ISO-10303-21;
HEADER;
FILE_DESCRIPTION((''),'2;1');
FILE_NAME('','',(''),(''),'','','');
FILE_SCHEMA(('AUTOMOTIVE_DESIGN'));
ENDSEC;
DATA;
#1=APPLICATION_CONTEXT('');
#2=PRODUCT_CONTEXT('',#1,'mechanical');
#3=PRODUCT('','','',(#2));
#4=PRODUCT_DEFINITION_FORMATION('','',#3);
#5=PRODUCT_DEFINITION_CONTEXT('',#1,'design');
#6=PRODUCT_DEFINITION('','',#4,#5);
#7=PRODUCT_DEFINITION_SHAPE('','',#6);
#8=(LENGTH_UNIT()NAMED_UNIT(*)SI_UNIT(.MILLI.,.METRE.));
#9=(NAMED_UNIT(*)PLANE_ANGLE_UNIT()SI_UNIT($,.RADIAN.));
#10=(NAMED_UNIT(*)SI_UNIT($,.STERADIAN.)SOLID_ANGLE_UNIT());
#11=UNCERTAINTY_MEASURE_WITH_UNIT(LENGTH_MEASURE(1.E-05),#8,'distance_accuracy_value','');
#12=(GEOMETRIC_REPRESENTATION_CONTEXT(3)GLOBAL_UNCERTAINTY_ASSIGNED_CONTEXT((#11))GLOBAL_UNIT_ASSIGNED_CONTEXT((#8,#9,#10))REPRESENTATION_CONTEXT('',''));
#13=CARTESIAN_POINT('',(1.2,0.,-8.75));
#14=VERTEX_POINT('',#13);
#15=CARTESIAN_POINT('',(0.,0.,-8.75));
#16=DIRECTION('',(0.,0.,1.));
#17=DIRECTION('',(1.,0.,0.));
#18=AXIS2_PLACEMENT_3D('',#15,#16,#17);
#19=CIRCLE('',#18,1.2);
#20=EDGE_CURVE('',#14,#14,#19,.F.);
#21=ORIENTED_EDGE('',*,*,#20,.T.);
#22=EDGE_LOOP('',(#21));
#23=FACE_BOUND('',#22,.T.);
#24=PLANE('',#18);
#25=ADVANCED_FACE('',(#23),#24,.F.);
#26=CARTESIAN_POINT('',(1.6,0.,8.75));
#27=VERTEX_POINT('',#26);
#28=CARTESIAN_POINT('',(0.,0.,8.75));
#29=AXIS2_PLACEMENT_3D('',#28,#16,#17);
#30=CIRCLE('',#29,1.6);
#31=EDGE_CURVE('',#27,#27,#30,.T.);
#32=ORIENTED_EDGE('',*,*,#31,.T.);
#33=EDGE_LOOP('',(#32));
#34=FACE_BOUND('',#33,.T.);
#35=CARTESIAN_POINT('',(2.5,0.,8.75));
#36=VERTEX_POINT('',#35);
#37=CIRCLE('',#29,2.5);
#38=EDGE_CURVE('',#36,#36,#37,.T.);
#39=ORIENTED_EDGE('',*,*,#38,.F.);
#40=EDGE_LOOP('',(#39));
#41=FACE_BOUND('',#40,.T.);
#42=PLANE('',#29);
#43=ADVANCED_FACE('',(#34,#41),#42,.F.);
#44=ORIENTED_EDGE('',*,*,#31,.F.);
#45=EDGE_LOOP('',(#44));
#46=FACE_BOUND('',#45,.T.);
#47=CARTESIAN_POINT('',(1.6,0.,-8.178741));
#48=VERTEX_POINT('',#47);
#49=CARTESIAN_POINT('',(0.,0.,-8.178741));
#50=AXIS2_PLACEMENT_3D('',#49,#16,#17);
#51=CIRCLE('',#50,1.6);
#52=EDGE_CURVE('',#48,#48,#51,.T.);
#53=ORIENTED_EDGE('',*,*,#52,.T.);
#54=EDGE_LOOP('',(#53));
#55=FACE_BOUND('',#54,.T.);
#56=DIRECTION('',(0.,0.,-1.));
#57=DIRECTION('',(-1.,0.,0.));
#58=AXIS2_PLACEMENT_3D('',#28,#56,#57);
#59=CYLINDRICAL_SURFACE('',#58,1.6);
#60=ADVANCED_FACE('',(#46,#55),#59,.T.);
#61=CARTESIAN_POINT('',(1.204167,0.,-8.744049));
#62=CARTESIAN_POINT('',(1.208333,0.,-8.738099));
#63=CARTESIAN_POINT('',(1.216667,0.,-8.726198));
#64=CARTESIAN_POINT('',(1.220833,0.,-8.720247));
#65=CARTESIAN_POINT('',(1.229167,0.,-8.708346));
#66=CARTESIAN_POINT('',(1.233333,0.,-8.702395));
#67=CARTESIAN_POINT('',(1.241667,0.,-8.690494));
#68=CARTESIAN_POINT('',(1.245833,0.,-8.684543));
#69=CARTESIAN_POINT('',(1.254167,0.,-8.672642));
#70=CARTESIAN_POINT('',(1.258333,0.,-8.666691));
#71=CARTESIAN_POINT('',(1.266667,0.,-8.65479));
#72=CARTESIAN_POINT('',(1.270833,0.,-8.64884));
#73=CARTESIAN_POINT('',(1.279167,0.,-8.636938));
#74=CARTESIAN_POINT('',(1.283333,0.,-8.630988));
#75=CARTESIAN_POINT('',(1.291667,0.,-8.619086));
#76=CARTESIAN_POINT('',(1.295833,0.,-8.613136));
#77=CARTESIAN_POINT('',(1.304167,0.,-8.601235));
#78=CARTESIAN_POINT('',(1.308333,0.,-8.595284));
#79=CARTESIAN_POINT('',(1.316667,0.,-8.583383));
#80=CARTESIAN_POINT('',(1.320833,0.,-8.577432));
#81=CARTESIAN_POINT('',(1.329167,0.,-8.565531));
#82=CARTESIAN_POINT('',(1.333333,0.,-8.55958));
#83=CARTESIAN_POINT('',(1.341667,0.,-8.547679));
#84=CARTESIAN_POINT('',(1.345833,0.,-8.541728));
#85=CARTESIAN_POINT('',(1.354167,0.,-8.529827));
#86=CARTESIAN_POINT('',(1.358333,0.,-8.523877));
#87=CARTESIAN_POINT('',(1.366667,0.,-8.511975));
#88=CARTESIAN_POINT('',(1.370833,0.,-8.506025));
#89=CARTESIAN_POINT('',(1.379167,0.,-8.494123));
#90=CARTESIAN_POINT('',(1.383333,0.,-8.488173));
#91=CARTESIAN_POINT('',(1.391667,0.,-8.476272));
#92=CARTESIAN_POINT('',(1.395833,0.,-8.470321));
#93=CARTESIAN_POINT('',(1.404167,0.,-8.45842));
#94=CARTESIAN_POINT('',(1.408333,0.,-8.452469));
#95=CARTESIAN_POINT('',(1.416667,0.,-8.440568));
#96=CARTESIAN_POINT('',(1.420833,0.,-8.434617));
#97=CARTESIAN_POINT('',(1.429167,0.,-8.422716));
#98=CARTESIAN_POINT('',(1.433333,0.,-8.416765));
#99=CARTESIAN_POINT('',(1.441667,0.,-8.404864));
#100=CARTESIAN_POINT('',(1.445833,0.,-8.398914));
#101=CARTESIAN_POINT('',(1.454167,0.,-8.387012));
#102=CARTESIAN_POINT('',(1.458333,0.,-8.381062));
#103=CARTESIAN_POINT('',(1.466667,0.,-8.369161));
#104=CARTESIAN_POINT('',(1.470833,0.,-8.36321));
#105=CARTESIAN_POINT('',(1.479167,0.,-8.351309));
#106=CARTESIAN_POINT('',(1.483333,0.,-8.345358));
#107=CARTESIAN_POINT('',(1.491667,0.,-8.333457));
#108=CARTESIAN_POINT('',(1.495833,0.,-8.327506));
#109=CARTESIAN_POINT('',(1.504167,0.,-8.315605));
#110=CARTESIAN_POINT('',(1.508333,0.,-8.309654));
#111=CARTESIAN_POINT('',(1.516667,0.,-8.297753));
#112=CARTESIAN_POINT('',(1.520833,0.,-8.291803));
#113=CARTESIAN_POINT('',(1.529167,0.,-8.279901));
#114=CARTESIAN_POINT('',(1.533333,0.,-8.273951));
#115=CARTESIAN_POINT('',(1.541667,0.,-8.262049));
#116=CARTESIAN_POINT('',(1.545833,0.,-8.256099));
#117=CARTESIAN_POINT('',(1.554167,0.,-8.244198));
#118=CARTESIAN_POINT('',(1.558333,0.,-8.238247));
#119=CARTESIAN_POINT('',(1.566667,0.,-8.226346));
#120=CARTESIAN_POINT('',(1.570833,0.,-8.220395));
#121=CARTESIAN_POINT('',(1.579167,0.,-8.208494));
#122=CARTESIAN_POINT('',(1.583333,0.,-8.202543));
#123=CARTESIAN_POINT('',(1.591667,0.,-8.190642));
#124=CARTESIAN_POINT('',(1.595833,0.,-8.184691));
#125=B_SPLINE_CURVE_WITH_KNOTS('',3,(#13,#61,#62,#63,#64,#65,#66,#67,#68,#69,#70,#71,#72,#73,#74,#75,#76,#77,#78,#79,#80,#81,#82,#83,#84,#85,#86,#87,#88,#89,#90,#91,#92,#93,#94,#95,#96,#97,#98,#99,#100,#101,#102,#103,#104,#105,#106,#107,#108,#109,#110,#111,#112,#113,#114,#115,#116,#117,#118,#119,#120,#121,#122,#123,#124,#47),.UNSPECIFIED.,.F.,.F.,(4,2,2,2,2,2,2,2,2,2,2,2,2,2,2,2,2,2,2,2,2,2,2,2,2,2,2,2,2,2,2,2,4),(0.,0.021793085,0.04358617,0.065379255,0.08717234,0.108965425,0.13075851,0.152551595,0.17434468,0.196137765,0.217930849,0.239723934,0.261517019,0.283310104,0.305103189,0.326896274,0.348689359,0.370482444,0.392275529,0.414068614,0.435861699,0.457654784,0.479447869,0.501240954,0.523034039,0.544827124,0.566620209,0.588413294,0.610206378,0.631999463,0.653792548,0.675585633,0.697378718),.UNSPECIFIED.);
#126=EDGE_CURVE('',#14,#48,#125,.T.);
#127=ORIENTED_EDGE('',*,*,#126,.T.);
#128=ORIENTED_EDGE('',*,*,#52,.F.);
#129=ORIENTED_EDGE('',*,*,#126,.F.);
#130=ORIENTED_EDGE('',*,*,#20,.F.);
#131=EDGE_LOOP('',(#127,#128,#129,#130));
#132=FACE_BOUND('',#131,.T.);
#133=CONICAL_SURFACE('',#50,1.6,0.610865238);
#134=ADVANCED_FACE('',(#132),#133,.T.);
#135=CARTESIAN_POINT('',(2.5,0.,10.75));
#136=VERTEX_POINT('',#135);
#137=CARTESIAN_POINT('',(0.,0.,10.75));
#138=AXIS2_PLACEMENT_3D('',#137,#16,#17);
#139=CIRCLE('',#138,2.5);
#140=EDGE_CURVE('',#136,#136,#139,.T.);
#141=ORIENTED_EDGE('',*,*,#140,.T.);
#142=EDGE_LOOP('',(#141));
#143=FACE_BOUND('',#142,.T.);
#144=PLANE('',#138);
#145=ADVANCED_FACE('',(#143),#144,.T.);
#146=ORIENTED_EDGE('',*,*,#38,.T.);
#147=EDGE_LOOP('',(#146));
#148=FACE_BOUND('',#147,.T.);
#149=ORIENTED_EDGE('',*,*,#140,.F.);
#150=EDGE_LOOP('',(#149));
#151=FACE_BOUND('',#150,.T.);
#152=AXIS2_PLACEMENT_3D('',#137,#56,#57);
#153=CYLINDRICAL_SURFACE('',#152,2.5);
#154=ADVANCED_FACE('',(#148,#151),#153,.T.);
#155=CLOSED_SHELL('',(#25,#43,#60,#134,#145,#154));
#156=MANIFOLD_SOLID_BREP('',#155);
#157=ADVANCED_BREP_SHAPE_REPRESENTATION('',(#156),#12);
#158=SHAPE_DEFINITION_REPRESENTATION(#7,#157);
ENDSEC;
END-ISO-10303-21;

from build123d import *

# Parameters (mm, degrees)
SKETCH1_R           = 1.6
BOSS_EXTRUDE1_DEPTH = 8.75
CHAMFER1_SIZE       = 0.4
CHAMFER1_SIZE2      = 0.571259203
SKETCH2_R           = 2.5
BOSS_EXTRUDE2_DEPTH = 2


with BuildPart() as part:
    # Sketch1 → Boss-Extrude1 (new, symmetric)
    with BuildSketch(Plane.XY):
        Circle(SKETCH1_R)
    extrude(amount=BOSS_EXTRUDE1_DEPTH, both=True)

    # Chamfer1
    chamfer1_edges = [part.edges().sort_by_distance(p)[0] for p in [
        (-1.6, 0, -8.75),
    ]]
    chamfer1_side = [part.faces().sort_by_distance(p)[0] for p in [
        (0, 0, -8.75),
    ]]
    chamfer(chamfer1_edges, length=CHAMFER1_SIZE, length2=CHAMFER1_SIZE2, reference=chamfer1_side[0])

    # Sketch2 → Boss-Extrude2 (add)
    with BuildSketch(Plane.XY.offset(8.75)):
        Circle(SKETCH2_R)
    extrude(amount=BOSS_EXTRUDE2_DEPTH)


solid = part.part
